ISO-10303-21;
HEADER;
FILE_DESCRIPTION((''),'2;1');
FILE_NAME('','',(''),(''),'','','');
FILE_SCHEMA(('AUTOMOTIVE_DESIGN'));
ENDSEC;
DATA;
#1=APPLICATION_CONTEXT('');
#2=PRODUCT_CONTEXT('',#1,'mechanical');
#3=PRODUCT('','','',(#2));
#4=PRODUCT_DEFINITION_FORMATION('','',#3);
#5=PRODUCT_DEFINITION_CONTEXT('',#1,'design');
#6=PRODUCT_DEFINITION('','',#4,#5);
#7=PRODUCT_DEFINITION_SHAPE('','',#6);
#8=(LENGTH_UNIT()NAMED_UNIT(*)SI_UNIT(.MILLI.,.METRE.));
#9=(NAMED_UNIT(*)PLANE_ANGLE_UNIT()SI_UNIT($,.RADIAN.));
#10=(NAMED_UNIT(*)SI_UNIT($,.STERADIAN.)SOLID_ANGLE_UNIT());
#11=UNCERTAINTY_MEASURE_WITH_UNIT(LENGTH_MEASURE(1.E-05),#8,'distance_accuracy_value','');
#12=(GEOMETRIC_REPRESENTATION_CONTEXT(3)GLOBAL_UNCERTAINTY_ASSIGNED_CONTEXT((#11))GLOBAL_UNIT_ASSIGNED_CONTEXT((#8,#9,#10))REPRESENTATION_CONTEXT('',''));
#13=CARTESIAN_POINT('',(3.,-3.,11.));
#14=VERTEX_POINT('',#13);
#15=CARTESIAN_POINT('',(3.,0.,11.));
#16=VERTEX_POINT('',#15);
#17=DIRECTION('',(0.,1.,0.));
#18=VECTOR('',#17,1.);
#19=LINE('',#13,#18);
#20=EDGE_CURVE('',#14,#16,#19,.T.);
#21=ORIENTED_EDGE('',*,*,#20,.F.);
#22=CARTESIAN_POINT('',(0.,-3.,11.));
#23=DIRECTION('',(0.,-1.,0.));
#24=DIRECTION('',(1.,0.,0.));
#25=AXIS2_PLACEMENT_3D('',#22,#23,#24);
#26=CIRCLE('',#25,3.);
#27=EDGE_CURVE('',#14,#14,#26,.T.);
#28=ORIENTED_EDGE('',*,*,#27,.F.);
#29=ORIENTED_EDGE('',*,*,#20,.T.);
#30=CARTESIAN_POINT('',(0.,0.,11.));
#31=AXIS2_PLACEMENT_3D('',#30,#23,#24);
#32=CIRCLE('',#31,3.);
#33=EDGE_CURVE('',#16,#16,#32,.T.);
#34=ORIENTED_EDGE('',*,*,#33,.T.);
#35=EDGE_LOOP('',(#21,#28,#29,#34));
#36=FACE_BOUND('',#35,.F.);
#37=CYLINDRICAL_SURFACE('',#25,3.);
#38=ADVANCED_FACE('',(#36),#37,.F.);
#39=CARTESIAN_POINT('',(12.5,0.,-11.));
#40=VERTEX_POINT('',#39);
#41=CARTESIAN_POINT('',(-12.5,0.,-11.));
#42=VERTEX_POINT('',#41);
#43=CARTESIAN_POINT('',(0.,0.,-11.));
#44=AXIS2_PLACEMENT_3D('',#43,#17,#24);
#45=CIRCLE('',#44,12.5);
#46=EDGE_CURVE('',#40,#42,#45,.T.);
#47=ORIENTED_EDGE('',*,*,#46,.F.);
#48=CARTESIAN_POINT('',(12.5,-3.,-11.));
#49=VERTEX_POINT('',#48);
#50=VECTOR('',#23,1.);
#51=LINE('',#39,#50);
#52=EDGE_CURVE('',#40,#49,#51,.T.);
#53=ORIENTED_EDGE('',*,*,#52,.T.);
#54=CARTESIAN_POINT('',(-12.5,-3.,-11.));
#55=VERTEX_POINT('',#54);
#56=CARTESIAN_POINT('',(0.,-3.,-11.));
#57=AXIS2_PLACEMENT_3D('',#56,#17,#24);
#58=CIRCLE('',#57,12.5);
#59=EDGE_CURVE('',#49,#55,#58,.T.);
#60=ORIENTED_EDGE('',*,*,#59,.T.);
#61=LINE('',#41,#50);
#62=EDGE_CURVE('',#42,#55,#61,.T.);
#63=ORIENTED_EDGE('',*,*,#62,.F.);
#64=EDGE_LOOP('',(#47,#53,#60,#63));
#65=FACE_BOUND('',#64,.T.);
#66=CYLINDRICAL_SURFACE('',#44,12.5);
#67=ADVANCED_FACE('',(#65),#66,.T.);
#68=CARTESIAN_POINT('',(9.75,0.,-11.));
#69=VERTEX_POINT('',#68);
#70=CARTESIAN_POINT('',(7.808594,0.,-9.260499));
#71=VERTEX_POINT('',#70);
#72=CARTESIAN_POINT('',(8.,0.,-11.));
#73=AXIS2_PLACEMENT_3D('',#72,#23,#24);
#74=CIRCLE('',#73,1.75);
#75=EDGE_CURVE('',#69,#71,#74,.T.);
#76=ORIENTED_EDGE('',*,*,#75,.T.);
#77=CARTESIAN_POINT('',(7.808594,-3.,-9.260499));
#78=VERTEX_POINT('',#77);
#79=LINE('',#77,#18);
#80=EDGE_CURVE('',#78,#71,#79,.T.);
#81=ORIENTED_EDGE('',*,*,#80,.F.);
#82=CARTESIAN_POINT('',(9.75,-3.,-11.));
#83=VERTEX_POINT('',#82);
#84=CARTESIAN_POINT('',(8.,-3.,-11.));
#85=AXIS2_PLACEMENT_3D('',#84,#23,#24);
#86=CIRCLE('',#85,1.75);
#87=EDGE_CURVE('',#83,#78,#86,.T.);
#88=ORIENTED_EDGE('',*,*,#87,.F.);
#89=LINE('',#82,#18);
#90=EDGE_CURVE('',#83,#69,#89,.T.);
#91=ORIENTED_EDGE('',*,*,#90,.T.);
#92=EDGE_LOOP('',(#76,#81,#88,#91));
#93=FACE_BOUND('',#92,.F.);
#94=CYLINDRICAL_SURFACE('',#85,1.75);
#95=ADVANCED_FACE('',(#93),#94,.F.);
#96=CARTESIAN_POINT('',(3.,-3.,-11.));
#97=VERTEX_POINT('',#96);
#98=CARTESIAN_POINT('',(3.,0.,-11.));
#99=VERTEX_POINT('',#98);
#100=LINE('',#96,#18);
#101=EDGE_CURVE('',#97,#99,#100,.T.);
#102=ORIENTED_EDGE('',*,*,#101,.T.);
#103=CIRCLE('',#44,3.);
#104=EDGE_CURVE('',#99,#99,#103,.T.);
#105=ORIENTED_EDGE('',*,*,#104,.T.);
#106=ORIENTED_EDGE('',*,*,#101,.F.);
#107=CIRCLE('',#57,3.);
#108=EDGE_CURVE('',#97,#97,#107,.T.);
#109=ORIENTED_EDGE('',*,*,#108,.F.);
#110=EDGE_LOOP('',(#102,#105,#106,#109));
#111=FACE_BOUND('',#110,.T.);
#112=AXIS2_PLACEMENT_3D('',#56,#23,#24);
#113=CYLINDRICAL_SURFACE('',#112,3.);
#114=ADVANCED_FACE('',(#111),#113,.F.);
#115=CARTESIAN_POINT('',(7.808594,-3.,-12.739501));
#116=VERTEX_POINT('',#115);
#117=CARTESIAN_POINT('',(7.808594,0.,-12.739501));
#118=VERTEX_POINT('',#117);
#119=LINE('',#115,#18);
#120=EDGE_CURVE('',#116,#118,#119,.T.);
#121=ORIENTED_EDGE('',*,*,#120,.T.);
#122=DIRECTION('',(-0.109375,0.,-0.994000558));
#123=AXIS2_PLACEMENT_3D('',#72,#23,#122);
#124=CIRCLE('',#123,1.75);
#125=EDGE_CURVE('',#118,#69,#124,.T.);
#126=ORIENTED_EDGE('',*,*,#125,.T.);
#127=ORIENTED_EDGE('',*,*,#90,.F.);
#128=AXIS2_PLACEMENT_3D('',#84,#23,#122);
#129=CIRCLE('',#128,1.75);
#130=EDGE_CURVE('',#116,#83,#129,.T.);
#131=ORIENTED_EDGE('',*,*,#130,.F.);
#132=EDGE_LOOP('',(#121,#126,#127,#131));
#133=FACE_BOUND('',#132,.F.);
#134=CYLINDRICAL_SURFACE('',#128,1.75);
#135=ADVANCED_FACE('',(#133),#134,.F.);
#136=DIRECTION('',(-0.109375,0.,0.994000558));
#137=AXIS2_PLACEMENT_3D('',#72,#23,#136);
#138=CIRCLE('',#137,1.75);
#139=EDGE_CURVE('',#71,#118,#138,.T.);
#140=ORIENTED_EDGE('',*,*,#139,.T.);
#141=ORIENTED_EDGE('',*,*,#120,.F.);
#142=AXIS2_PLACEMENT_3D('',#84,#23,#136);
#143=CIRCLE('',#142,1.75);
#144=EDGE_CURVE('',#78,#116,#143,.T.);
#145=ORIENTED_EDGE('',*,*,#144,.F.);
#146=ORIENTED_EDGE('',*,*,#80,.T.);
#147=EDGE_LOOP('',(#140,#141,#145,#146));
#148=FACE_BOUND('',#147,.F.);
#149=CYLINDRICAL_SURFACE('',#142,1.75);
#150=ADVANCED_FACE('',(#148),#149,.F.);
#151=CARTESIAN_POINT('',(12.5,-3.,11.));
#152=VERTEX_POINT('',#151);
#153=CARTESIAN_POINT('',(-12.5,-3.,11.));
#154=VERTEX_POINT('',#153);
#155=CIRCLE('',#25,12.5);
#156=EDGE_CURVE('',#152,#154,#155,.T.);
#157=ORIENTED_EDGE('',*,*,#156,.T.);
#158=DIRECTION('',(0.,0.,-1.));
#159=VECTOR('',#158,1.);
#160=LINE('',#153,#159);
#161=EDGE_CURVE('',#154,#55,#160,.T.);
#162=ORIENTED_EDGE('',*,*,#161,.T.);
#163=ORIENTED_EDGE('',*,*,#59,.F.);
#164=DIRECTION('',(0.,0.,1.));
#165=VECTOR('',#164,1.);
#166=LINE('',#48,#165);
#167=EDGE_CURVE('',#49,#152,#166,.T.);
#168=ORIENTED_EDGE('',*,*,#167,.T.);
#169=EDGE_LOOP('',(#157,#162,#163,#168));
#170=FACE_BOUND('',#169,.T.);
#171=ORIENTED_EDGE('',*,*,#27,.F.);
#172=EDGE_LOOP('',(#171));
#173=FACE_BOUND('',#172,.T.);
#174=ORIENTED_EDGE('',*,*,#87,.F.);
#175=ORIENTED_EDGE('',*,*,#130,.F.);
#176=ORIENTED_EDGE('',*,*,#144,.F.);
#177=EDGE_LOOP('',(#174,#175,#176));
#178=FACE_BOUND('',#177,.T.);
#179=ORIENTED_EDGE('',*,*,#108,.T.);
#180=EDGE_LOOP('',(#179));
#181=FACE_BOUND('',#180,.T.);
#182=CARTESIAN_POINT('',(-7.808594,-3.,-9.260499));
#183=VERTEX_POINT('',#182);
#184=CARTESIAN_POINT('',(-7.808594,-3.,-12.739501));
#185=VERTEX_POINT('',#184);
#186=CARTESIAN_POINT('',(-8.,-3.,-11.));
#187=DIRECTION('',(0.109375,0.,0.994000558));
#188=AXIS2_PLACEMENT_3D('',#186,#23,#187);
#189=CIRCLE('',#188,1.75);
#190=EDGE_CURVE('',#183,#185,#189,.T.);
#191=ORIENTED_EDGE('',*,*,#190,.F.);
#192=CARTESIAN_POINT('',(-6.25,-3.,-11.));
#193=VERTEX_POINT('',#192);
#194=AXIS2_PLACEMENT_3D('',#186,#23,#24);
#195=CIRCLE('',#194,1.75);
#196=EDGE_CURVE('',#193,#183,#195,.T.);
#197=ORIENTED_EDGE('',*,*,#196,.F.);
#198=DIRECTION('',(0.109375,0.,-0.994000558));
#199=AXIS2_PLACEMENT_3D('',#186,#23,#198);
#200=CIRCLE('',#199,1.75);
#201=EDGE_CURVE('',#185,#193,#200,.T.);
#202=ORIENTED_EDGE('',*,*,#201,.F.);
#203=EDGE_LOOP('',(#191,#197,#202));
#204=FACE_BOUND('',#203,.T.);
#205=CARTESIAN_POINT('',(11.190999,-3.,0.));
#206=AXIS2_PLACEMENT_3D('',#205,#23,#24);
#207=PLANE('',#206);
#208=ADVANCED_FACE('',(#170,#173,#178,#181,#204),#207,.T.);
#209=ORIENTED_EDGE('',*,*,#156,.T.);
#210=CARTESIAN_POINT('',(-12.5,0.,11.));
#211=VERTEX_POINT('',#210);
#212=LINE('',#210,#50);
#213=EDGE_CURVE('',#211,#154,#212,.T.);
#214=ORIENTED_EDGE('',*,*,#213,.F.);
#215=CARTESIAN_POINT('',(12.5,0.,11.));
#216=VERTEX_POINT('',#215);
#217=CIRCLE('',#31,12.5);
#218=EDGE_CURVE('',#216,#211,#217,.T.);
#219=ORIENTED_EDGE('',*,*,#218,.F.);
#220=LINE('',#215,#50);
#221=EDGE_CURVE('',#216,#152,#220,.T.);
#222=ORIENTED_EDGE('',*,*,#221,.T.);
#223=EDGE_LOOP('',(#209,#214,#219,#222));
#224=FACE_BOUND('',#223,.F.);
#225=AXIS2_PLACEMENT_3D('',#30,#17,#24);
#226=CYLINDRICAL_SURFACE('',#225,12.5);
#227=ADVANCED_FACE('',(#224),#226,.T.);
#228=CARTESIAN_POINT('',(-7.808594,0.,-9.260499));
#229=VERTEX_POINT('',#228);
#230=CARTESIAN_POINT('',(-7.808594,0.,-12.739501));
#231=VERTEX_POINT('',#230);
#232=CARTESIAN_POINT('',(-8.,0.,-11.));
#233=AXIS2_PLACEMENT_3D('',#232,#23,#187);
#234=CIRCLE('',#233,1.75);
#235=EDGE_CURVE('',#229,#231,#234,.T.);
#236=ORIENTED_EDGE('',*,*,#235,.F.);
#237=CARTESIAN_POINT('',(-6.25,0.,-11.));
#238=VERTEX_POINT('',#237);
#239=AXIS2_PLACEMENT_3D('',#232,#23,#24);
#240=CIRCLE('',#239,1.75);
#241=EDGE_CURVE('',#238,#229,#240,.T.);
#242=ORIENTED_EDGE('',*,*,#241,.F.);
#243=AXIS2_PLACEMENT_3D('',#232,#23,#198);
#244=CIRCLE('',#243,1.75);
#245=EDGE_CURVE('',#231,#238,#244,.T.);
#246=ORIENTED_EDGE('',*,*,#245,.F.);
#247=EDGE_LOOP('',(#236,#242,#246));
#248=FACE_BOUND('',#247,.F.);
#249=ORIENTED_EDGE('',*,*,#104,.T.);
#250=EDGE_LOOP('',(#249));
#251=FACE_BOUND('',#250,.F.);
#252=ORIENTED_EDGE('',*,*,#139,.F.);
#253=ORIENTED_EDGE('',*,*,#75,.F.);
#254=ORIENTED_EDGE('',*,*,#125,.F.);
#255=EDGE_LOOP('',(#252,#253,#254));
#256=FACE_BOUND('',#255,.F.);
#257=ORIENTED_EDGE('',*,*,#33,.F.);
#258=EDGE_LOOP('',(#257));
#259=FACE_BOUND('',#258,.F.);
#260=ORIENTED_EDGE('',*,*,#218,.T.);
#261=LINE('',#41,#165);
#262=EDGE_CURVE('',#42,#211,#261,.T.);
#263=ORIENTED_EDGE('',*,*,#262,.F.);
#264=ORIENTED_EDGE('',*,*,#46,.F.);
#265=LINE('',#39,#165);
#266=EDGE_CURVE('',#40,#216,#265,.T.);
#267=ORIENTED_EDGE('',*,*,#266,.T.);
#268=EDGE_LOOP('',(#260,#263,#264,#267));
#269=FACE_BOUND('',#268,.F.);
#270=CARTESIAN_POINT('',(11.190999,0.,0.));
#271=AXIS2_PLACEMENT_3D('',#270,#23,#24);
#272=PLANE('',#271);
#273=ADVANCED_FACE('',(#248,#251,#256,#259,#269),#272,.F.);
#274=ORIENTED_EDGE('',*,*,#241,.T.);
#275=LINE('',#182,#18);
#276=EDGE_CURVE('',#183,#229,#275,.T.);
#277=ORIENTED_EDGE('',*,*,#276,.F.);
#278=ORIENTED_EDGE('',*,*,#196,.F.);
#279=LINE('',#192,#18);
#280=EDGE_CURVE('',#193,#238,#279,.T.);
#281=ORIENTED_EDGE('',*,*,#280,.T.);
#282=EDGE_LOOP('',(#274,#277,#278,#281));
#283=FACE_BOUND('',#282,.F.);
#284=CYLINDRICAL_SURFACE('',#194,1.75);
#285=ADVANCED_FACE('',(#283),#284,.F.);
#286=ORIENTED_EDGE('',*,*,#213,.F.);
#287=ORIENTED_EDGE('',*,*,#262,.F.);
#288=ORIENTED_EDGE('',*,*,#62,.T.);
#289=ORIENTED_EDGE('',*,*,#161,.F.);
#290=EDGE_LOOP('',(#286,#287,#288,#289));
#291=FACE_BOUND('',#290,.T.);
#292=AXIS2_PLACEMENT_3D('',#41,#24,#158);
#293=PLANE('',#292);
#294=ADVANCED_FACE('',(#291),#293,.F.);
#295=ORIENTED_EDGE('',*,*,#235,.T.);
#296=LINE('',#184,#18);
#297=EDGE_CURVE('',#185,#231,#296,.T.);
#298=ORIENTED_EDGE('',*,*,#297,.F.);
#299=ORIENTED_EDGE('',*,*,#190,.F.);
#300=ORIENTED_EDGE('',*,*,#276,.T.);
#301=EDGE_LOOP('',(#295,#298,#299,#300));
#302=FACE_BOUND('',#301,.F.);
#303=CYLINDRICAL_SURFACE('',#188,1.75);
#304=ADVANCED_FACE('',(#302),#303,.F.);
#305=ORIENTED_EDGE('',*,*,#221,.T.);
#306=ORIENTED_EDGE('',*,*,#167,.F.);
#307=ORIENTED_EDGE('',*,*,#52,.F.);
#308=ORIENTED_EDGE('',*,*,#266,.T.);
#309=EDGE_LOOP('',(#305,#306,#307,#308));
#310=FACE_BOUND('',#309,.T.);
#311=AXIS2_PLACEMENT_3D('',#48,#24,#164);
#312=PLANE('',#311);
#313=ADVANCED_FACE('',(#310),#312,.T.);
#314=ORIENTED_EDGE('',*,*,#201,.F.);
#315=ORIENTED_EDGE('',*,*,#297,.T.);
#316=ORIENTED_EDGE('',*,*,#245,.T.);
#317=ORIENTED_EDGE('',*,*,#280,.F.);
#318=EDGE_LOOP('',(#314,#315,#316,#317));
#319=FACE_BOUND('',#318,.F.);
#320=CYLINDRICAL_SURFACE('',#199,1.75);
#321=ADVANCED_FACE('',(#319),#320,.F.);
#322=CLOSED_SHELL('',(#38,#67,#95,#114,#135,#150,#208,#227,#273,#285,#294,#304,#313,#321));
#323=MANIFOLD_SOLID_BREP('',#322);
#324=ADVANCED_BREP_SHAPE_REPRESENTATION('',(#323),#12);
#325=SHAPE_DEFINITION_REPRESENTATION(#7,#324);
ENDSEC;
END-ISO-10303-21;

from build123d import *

# Parameters (mm, degrees)
F1_DEPTH = 3
F2_R     = 3
F3_DEPTH = 25
F6_DEPTH = 25
F8_DEPTH = 3


with BuildPart() as f1:
    # F0 (on Front) → F1 (new body)
    with BuildSketch(Plane.XZ):
        with BuildLine():
            ThreePointArc((5.9371710435, 0), (10.73463176, 4.595495259), (12.5, 11))
            ThreePointArc((12.5, 11), (0, 23.5), (-12.5, 11))
            ThreePointArc((-12.5, 11), (-10.73463176, 4.595495259), (-5.9371710435, 0))
            Line((-5.9371710435, 0), (5.9371710435, 0))
        make_face()
        with BuildLine():
            ThreePointArc((-5.9371710435, 0), (-10.73463176, 4.595495259), (-12.5, 11))
            Line((-12.5, 11), (-12.5, 0))
            Line((-12.5, 0), (-5.9371710435, 0))
        make_face()
    extrude(amount=F1_DEPTH)

    # F2 (on face) → F3 (cut)
    with BuildSketch(Plane.XZ.offset(3)):
        with Locations((0, 11)):
            Circle(F2_R)
    extrude(amount=-F3_DEPTH, mode=Mode.SUBTRACT)

    # F4: F1 across face


with BuildPart() as f1_1:
    add(f1.part)
    add(f1.part.mirror(Plane(origin=(-3.2814144782, -1.5, 0), x_dir=(1, 0, 0), z_dir=(0, 0, -1))))

    # F5 (on face) → F6 (cut)
    with BuildSketch(Plane.XZ.offset(3)):
        with BuildLine():
            ThreePointArc((-7.80859375, -12.7395009766), (-8, -11), (-7.80859375, -9.2604990234))
            ThreePointArc((-7.80859375, -9.2604990234), (-9.75, -11), (-7.80859375, -12.7395009766))
        make_face()
        with BuildLine():
            ThreePointArc((-6.25, -11), (-6.6966464529, -9.8321945662), (-7.80859375, -9.2604990234))
            ThreePointArc((-7.80859375, -9.2604990234), (-8, -11), (-7.80859375, -12.7395009766))
            ThreePointArc((-7.80859375, -12.7395009766), (-6.6966464529, -12.1678054338), (-6.25, -11))
        make_face()
        with BuildLine():
            ThreePointArc((7.80859375, -9.2604990234), (7.9520044643, -10.125), (8, -11))
            ThreePointArc((8, -11), (7.9520044643, -11.875), (7.80859375, -12.7395009766))
            ThreePointArc((7.80859375, -12.7395009766), (9.1678054338, -12.3033535471), (9.75, -11))
            ThreePointArc((9.75, -11), (9.1678054338, -9.6966464529), (7.80859375, -9.2604990234))
        make_face()
        with BuildLine():
            ThreePointArc((7.80859375, -12.7395009766), (7.9520044643, -11.875), (8, -11))
            ThreePointArc((8, -11), (7.9520044643, -10.125), (7.80859375, -9.2604990234))
            ThreePointArc((7.80859375, -9.2604990234), (6.25, -11), (7.80859375, -12.7395009766))
        make_face()
    extrude(amount=-F6_DEPTH, mode=Mode.SUBTRACT)

    # F7 (on face) → F8 (join)
    with BuildSketch(Plane.XZ.offset(3)):
        with BuildLine():
            Line((12.5, -11), (12.5, 11))
            ThreePointArc((12.5, 11), (10.73463176, 4.595495259), (5.9371710435, 0))
            ThreePointArc((5.9371710435, 0), (10.73463176, -4.595495259), (12.5, -11))
        make_face()
    extrude(amount=-F8_DEPTH)


solid = f1_1.part
